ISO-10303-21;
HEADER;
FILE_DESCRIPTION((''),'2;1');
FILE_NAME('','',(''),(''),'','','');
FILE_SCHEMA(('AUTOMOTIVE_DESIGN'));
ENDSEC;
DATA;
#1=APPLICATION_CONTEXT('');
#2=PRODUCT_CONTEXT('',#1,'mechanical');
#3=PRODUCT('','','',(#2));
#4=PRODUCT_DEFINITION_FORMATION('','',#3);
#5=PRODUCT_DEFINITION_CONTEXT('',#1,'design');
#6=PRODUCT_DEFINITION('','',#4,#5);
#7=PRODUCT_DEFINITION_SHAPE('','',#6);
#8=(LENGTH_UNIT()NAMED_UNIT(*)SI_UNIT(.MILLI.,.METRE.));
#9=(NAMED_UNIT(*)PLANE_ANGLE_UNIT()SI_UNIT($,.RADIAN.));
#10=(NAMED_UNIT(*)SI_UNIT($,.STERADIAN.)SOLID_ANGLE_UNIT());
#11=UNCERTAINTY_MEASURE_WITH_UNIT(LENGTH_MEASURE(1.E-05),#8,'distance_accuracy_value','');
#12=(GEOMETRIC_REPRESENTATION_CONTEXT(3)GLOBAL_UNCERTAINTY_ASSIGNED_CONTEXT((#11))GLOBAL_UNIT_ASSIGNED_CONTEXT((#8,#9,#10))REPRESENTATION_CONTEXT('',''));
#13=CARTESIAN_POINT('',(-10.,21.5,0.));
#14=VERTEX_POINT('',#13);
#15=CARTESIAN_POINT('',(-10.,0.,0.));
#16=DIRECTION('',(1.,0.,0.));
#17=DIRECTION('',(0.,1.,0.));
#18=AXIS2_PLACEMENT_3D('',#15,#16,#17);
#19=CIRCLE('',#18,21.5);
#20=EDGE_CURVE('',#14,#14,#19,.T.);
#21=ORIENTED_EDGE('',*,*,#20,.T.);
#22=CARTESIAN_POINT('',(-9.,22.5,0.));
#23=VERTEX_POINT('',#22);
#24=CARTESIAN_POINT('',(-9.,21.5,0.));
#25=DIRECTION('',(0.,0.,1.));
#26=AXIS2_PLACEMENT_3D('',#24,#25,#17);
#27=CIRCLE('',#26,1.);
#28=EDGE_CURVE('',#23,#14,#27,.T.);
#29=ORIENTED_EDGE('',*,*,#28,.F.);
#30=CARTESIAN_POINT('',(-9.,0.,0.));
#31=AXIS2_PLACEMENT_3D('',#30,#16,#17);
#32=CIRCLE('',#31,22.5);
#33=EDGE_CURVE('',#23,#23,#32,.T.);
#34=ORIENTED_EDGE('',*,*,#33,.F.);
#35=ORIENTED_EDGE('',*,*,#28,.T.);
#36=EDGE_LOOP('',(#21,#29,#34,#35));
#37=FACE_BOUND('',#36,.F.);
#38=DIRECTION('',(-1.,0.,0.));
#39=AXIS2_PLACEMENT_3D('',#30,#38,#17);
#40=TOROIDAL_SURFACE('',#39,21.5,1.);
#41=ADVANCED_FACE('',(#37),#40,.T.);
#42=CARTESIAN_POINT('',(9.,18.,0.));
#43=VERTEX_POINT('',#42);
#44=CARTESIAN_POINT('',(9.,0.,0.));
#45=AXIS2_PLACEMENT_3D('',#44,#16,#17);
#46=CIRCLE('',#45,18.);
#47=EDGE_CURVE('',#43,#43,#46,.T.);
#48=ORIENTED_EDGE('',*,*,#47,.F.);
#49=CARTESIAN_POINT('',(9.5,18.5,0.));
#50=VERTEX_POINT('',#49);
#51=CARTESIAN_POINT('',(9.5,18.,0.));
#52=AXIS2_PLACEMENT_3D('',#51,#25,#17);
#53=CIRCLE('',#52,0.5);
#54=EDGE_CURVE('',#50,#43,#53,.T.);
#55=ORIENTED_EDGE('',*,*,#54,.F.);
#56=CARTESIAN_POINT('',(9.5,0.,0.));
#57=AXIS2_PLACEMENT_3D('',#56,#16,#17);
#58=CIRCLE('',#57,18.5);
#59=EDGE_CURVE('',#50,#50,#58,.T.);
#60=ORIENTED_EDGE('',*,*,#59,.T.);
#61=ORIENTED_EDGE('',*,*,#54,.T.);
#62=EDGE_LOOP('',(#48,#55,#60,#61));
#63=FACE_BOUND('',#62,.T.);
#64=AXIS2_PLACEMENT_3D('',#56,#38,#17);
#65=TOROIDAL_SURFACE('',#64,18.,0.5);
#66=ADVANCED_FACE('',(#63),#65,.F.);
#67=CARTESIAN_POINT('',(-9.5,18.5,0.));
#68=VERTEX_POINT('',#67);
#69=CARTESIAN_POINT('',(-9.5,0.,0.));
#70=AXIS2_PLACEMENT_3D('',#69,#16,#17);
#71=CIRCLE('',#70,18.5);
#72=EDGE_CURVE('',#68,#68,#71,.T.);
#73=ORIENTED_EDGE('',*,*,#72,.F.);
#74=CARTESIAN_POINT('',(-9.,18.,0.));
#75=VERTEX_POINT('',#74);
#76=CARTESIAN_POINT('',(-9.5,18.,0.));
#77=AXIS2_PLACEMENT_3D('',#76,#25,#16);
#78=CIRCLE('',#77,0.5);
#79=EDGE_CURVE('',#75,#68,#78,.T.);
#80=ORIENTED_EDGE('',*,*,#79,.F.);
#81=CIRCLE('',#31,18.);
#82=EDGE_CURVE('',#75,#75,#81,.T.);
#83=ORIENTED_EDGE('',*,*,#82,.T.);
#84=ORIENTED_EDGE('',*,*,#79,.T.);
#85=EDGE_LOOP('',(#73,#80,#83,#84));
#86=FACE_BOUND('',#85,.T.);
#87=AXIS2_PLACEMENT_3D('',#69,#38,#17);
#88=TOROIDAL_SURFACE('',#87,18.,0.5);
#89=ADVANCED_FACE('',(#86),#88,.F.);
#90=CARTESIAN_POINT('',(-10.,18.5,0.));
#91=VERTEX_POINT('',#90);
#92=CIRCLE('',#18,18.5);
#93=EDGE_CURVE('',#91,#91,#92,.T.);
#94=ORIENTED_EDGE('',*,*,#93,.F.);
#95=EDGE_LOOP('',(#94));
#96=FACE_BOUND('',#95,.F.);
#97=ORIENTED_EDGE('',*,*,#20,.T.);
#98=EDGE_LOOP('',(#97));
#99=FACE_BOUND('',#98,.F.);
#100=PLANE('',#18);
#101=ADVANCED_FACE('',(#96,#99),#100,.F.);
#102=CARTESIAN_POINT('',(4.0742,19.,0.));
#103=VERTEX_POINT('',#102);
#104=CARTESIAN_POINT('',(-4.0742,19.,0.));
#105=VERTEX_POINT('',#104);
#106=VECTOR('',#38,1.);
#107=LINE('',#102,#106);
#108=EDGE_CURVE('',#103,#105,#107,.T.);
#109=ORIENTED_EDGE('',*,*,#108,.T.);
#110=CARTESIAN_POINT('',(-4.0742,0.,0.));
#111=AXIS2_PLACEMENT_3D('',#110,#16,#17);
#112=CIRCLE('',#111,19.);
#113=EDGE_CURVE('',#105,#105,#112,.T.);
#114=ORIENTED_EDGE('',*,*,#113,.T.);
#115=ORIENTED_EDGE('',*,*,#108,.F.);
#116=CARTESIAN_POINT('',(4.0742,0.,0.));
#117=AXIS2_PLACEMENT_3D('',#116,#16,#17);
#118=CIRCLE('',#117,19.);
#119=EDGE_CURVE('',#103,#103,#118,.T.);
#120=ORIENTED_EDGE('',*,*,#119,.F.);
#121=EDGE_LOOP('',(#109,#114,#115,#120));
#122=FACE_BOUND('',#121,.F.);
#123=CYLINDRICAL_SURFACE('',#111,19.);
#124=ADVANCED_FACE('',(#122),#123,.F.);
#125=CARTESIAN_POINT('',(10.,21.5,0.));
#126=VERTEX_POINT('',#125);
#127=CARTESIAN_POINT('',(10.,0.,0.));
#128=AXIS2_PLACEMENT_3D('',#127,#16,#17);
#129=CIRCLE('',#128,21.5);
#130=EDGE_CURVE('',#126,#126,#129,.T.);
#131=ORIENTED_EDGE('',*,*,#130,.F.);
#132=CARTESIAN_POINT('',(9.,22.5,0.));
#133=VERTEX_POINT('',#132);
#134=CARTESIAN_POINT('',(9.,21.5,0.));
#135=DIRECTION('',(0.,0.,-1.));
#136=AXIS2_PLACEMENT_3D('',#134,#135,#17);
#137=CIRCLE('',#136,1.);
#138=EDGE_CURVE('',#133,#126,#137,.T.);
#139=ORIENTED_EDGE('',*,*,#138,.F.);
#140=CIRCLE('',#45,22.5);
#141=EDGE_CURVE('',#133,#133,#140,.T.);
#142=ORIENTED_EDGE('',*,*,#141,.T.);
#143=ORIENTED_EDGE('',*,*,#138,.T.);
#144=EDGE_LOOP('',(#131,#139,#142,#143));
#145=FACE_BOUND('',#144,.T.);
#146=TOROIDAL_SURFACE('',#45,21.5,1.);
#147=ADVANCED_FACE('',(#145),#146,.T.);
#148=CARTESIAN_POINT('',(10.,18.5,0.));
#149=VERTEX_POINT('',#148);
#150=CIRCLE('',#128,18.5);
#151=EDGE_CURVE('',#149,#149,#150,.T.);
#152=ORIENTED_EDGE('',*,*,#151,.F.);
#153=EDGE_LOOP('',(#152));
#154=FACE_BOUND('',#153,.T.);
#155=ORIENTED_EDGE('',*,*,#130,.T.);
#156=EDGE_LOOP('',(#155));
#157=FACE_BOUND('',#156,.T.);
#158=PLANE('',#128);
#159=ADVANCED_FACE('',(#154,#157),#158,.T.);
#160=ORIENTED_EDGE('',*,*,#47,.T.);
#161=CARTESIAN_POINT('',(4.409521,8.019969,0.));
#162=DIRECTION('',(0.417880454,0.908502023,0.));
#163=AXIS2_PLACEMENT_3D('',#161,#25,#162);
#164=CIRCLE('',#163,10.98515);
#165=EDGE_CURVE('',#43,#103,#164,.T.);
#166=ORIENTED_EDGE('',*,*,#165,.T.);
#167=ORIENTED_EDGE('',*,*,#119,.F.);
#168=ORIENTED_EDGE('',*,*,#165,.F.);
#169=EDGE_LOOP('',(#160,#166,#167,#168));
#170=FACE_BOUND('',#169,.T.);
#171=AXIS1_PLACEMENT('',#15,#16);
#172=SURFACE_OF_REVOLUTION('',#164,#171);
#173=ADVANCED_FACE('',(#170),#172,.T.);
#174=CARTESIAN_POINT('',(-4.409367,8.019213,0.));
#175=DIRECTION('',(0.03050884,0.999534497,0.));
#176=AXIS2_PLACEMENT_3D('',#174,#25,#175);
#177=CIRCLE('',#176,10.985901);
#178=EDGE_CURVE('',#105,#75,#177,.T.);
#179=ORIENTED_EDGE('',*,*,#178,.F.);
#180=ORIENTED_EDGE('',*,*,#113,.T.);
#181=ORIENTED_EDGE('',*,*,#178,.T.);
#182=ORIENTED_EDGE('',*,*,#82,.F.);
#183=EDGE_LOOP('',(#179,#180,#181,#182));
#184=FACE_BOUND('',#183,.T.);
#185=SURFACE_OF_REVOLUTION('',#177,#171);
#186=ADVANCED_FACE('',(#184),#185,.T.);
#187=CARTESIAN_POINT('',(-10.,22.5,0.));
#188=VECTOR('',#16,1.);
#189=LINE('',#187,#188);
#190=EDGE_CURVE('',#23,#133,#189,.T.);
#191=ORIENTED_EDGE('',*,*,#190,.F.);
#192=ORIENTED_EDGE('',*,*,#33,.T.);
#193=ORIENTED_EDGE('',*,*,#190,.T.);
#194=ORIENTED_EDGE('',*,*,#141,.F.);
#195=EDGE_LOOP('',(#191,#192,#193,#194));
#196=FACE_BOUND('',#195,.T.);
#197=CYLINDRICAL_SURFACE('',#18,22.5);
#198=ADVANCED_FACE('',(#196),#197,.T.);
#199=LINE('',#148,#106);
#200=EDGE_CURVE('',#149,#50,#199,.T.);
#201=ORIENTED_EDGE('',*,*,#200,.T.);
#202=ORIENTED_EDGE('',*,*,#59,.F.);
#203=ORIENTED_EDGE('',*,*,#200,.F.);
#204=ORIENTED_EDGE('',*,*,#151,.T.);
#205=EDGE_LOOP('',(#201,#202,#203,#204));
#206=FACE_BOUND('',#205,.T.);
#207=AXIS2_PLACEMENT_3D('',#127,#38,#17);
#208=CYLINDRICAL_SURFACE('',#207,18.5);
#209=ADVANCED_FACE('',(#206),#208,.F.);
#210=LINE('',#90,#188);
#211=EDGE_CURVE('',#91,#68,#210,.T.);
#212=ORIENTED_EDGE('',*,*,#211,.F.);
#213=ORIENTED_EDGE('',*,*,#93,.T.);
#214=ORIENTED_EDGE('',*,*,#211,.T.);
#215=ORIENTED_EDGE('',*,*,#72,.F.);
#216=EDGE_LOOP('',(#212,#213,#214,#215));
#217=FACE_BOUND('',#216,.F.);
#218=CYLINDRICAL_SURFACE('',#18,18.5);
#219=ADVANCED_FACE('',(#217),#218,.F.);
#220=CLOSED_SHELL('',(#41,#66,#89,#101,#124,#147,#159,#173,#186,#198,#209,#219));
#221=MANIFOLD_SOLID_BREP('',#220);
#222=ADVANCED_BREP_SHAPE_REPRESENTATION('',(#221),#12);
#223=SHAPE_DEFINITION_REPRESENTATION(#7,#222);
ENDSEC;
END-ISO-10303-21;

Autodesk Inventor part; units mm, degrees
ref_plane "YZ Plane" through (0, 0, 0) normal (1, 0, 0) x (0, 1, 0)
ref_plane "XZ Plane" through (0, 0, 0) normal (0, 1, 0) x (-1, 0, 0)
ref_plane "XY Plane" through (0, 0, 0) normal (0, 0, 1) x (1, 0, 0)
sketch "草图1" plane through (0, 0, 0) normal (0, 0, 1) x (1, 0, 0)
  line L0 (-10, 22.5) -> (10, 22.5)
  line L1 (-14, 0) -> (14, 0) projected
  line L2 (0, -4.5) -> (0, 27) projected
  line L3 (-10, 22.5) -> (-10, 18.5)
  line L4 (-10, 18.5) -> (-9.5, 18.5)
  arc A0 (-9, 18) -> (-9.5, 18.5) centre (-9.5, 18) ccw
  line L5 (-9.5, 18) -> (-7.8897, 18) construction
  arc A1 (-4.0742, 19) -> (-9, 18) centre (-4.4094, 8.0196) ccw
  line L6 (10, 22.5) -> (10, 18.5)
  line L7 (10, 18.5) -> (9.5, 18.5)
  arc A2 (9.5, 18.5) -> (9, 18) centre (9.5, 18) ccw
  arc A3 (9, 18) -> (4.0742, 19) centre (4.4094, 8.0196) ccw
  line L8 (-4.0742, 19) -> (4.0742, 19)
  point P0 (0, 0)
  dimension "d0" = 20
  dimension "d1" = 0.5
  dimension "d2" = 4
  dimension "d3" = 1
  dimension "d4" = 22.5
  dimension "d5" = 18
  dimension "d6" = 19
  dimension "d7" = 10.9856
  dimension "d8" = 8.1484
revolve "旋转1" add sketch "草图1" angle 360 about axis through (-10, 0, 0) along (1, 0, 0)
fillet "圆角1" radius 1 2 edges at (-10, -22.5, 0) (10, -22.5, 0)
properties part number "橡胶外轮设计" material "橡胶"
